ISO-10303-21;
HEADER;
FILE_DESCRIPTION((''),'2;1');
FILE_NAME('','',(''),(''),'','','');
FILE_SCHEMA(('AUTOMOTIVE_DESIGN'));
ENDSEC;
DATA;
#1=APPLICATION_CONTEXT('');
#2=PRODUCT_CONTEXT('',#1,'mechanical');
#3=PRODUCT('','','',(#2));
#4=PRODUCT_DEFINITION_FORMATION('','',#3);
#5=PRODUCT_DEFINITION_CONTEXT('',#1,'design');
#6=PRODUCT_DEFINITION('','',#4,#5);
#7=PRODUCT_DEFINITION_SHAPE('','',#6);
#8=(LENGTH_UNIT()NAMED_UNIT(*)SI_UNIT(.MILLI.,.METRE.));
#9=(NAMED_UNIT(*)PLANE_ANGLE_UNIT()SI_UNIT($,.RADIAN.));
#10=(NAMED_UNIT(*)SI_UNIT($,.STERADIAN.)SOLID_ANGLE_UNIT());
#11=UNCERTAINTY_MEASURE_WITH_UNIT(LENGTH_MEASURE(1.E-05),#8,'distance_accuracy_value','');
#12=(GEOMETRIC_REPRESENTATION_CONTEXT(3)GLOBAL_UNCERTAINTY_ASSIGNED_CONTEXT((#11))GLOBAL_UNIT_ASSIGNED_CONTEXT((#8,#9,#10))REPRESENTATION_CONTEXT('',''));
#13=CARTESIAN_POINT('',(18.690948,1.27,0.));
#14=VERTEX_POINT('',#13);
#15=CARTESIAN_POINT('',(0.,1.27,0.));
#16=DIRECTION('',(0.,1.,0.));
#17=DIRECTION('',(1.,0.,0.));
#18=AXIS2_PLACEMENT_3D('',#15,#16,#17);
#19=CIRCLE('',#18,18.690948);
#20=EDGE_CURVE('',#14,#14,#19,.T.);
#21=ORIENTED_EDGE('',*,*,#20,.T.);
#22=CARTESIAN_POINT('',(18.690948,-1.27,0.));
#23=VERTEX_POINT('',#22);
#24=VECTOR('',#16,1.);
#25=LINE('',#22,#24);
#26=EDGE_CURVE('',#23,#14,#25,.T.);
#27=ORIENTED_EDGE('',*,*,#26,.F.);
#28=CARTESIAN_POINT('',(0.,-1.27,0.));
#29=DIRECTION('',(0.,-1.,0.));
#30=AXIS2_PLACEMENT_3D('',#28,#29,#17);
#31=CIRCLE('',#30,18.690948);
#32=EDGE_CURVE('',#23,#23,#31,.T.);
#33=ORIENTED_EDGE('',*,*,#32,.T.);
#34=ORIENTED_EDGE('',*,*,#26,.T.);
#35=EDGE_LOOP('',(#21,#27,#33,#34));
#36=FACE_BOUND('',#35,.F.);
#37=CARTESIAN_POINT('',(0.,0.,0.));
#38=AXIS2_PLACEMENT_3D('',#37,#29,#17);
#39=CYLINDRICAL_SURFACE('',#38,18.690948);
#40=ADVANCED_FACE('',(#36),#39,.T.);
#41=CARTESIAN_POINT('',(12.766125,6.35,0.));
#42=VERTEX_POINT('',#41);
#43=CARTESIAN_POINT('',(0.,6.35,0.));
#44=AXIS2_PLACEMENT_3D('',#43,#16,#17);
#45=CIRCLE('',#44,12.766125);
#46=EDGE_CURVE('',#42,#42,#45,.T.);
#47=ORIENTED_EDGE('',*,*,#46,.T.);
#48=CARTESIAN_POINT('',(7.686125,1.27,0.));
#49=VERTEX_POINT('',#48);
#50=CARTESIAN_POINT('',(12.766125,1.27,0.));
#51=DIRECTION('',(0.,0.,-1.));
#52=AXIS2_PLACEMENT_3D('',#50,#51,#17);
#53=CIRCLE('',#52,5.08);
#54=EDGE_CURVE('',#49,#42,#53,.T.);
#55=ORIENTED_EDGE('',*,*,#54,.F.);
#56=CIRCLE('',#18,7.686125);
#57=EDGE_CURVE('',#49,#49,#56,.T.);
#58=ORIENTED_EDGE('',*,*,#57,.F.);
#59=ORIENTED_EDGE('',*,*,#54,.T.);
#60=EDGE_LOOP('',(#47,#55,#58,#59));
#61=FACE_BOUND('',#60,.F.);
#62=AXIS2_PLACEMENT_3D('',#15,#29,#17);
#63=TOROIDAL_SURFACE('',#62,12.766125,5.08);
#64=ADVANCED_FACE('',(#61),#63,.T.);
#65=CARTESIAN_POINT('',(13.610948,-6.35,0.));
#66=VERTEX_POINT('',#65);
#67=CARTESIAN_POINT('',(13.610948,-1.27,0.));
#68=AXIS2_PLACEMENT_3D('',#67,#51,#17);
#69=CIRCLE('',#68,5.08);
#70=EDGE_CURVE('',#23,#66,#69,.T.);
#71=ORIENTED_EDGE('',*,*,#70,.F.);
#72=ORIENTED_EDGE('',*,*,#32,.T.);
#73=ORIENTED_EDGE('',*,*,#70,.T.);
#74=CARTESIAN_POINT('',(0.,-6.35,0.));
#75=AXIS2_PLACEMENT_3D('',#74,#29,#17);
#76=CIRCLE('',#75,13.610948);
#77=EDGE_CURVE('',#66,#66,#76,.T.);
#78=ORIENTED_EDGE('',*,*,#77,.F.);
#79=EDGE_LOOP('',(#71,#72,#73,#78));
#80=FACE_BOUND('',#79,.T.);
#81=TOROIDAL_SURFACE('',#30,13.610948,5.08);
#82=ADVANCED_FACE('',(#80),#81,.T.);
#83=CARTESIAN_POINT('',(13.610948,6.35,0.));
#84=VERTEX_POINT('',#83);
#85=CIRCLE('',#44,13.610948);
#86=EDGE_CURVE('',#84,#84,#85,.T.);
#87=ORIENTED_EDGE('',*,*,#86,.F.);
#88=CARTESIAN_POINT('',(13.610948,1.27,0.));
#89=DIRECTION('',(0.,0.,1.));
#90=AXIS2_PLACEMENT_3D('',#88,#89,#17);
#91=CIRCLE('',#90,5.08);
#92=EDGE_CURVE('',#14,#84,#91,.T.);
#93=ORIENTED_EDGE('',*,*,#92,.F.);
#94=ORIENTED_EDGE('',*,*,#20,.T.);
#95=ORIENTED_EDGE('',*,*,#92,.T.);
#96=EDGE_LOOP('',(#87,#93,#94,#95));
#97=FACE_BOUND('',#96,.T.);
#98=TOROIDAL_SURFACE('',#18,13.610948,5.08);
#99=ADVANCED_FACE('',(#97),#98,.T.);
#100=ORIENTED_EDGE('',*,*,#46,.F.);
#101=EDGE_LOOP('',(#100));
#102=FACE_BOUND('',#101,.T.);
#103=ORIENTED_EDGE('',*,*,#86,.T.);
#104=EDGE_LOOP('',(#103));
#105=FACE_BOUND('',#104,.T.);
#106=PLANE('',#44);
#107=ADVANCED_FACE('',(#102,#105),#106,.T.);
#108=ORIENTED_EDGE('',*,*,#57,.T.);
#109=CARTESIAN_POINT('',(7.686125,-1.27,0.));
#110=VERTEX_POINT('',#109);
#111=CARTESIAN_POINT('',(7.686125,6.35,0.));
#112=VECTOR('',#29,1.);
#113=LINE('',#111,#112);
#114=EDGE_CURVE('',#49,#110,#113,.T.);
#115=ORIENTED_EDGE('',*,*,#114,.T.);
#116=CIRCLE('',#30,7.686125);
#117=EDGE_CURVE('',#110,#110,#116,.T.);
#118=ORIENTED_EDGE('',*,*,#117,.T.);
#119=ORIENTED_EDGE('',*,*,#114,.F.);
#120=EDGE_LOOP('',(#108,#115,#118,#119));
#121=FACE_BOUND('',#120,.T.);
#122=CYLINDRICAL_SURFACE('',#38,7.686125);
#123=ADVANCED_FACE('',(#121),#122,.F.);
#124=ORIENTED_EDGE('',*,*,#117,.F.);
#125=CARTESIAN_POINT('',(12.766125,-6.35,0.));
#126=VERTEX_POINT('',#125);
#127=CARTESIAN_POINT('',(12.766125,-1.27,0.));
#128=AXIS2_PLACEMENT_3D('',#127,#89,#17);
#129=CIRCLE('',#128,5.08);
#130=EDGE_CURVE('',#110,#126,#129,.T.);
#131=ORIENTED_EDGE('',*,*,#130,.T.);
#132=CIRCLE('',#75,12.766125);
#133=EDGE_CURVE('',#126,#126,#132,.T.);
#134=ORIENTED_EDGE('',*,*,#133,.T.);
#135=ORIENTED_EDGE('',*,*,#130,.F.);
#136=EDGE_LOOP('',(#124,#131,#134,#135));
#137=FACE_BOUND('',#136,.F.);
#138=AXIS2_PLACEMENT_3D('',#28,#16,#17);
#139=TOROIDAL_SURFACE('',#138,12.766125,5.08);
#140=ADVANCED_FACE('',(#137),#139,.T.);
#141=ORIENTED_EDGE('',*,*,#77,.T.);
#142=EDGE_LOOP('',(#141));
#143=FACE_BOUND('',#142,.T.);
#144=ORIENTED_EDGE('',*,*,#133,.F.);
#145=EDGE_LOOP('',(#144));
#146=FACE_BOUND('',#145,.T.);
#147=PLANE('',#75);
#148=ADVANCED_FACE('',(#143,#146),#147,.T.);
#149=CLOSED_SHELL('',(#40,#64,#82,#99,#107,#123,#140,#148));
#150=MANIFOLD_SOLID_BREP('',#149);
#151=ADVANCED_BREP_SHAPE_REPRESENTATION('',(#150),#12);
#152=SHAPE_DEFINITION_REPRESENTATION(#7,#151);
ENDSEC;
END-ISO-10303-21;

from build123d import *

# Parameters (mm, degrees)
F0_R        = 18.690948
F0_R_2      = 7.686125
F1_DEPTH    = 6.35
F2_R        = 5.08
F1_FACE_R   = 18.690948
F1_FACE_R_2 = 7.686125
F3_DEPTH    = 6.35
F4_R        = 5.08


with BuildPart() as f1:
    # F0 (on Front) → F1 (new body)
    with BuildSketch(Plane.XZ):
        Circle(F0_R)
        Circle(F0_R_2, mode=Mode.SUBTRACT)
    extrude(amount=F1_DEPTH)

    # F2
    f2_edges = [f1.edges().sort_by_distance(p)[0] for p in [
        (-18.690948, -6.35, 0),
        (-7.686125, -6.35, 0),
    ]]
    fillet(f2_edges, radius=F2_R)

    # F1_face (on face) → F3 (join)
    with BuildSketch(Plane(origin=(0, 0, 0), x_dir=(1, 0, 0), z_dir=(0, 1, 0))):
        Circle(F1_FACE_R)
        Circle(F1_FACE_R_2, mode=Mode.SUBTRACT)
    extrude(amount=F3_DEPTH)

    # F4
    f4_edges = [f1.edges().sort_by_distance(p)[0] for p in [
        (-18.690948, 6.35, 0),
        (-7.686125, 6.35, 0),
    ]]
    fillet(f4_edges, radius=F4_R)


solid = f1.part
